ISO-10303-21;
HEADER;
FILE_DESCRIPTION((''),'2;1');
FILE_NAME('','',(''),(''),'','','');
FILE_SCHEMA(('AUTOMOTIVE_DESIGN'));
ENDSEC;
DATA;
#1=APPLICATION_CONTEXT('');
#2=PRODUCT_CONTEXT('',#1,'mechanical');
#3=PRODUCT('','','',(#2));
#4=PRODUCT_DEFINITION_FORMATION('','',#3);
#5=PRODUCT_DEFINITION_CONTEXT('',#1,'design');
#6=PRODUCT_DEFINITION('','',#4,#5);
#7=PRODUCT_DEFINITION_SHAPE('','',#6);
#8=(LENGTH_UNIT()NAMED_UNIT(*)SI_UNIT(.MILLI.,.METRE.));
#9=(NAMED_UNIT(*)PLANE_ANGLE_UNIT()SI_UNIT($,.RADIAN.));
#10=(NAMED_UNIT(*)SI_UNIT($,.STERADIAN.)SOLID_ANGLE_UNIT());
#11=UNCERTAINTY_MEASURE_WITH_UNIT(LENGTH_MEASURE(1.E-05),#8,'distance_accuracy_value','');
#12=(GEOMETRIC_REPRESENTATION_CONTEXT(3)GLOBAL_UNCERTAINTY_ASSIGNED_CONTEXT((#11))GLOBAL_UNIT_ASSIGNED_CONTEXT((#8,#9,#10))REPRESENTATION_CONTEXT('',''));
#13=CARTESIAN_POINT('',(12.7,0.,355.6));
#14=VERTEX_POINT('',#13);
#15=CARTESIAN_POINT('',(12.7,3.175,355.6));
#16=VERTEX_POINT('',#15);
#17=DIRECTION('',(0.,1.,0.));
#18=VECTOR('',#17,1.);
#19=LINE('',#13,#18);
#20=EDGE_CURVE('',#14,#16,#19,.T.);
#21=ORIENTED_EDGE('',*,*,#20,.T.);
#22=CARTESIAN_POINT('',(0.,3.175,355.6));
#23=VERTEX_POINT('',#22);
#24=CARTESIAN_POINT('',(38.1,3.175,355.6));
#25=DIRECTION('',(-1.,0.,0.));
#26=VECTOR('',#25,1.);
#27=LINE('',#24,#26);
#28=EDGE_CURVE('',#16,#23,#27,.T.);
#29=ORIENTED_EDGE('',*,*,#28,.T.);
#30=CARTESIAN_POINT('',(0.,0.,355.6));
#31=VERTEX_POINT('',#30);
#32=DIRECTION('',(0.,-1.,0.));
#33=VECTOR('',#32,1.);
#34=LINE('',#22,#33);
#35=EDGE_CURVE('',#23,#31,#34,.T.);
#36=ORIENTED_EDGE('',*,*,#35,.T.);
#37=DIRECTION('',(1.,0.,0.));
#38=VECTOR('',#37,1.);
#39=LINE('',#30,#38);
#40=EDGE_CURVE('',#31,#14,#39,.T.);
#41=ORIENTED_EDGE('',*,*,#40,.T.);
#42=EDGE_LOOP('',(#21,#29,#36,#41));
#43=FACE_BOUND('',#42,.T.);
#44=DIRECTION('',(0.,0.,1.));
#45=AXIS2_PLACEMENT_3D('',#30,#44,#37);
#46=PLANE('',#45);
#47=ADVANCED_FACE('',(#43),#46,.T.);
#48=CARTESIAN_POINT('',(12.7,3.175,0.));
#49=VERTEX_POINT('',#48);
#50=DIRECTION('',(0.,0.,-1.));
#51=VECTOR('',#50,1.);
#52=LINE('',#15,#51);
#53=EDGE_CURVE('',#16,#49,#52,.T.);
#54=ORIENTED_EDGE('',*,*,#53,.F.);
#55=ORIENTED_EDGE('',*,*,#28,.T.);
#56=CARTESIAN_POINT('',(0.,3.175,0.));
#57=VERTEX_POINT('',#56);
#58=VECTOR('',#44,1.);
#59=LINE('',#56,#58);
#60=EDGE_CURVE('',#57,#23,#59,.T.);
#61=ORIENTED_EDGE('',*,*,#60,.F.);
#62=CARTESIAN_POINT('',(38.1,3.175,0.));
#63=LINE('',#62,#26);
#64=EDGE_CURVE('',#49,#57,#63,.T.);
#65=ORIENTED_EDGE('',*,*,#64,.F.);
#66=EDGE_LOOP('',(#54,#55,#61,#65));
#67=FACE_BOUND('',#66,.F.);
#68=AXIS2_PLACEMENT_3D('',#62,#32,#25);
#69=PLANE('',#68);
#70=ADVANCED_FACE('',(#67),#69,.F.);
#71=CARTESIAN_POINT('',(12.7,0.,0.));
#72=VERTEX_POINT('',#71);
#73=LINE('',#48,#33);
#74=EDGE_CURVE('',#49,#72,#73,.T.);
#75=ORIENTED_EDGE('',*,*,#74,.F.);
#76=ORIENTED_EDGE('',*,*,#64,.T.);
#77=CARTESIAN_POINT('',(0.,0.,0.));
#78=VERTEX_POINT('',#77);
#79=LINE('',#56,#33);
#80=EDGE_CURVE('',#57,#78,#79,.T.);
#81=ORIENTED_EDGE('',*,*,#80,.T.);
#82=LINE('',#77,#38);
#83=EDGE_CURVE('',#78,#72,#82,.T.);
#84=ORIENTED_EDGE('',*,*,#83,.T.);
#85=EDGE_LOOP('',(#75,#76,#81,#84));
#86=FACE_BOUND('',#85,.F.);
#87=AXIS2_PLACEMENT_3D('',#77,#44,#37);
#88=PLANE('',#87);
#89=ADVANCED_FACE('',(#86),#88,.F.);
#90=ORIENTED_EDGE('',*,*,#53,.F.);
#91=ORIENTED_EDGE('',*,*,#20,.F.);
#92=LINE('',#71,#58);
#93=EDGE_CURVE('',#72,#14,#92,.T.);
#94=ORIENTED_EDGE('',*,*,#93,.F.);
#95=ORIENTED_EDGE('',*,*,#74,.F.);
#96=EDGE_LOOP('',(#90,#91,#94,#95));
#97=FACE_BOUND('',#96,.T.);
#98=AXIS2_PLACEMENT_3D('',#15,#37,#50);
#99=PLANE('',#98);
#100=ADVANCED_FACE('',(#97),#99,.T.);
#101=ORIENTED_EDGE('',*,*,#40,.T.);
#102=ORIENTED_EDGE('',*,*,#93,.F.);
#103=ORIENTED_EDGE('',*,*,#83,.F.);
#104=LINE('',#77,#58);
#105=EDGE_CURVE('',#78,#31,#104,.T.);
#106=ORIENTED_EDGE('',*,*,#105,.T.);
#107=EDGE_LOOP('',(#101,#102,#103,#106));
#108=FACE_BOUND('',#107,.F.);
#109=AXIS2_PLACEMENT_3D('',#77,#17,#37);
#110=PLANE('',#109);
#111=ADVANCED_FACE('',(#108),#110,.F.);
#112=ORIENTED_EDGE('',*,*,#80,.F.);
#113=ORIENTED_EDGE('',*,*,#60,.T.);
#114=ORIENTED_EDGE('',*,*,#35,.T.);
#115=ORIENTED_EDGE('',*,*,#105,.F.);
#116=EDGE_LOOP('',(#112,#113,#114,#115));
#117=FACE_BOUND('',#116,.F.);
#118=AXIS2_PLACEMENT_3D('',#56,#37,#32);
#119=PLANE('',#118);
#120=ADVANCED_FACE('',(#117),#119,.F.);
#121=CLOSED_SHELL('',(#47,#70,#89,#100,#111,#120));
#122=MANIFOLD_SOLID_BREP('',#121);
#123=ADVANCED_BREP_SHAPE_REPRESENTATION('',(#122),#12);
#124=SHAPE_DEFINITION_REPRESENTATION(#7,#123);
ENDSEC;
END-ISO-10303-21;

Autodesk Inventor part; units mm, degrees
ref_plane "YZ Plane" through (0, 0, 0) normal (1, 0, 0) x (0, 1, 0)
ref_plane "XZ Plane" through (0, 0, 0) normal (0, 1, 0) x (-1, 0, 0)
ref_plane "XY Plane" through (0, 0, 0) normal (0, 0, 1) x (1, 0, 0)
sketch "Sketch1" plane through (0, 0, 0) normal (0, 0, 1) x (1, 0, 0)
  line L0 (0, 0) -> (38.1, 0)
  line L1 (38.1, 0) -> (38.1, 3.175)
  line L2 (38.1, 3.175) -> (0, 3.175)
  line L3 (0, 3.175) -> (0, 0)
  dimension "d0" = 38.1
  dimension "d1" = 3.175
extrude "Extrusion1" add sketch "Sketch1" along normal blind 355.6
sketch "Sketch2" plane through (38.1, 3.175, 355.6) normal (1, 0, 0) x (0, 0, -1)
  line L0 (355.6, -3.175) -> (0, -3.175)
  line L1 (0, -3.175) -> (0, 0)
  line L2 (0, 0) -> (355.6, 0)
  line L3 (355.6, 0) -> (355.6, -3.175)
extrude "Extrusion2" cut sketch "Sketch2" against normal blind 25.4
properties part number "Top Front Steel Beam"
